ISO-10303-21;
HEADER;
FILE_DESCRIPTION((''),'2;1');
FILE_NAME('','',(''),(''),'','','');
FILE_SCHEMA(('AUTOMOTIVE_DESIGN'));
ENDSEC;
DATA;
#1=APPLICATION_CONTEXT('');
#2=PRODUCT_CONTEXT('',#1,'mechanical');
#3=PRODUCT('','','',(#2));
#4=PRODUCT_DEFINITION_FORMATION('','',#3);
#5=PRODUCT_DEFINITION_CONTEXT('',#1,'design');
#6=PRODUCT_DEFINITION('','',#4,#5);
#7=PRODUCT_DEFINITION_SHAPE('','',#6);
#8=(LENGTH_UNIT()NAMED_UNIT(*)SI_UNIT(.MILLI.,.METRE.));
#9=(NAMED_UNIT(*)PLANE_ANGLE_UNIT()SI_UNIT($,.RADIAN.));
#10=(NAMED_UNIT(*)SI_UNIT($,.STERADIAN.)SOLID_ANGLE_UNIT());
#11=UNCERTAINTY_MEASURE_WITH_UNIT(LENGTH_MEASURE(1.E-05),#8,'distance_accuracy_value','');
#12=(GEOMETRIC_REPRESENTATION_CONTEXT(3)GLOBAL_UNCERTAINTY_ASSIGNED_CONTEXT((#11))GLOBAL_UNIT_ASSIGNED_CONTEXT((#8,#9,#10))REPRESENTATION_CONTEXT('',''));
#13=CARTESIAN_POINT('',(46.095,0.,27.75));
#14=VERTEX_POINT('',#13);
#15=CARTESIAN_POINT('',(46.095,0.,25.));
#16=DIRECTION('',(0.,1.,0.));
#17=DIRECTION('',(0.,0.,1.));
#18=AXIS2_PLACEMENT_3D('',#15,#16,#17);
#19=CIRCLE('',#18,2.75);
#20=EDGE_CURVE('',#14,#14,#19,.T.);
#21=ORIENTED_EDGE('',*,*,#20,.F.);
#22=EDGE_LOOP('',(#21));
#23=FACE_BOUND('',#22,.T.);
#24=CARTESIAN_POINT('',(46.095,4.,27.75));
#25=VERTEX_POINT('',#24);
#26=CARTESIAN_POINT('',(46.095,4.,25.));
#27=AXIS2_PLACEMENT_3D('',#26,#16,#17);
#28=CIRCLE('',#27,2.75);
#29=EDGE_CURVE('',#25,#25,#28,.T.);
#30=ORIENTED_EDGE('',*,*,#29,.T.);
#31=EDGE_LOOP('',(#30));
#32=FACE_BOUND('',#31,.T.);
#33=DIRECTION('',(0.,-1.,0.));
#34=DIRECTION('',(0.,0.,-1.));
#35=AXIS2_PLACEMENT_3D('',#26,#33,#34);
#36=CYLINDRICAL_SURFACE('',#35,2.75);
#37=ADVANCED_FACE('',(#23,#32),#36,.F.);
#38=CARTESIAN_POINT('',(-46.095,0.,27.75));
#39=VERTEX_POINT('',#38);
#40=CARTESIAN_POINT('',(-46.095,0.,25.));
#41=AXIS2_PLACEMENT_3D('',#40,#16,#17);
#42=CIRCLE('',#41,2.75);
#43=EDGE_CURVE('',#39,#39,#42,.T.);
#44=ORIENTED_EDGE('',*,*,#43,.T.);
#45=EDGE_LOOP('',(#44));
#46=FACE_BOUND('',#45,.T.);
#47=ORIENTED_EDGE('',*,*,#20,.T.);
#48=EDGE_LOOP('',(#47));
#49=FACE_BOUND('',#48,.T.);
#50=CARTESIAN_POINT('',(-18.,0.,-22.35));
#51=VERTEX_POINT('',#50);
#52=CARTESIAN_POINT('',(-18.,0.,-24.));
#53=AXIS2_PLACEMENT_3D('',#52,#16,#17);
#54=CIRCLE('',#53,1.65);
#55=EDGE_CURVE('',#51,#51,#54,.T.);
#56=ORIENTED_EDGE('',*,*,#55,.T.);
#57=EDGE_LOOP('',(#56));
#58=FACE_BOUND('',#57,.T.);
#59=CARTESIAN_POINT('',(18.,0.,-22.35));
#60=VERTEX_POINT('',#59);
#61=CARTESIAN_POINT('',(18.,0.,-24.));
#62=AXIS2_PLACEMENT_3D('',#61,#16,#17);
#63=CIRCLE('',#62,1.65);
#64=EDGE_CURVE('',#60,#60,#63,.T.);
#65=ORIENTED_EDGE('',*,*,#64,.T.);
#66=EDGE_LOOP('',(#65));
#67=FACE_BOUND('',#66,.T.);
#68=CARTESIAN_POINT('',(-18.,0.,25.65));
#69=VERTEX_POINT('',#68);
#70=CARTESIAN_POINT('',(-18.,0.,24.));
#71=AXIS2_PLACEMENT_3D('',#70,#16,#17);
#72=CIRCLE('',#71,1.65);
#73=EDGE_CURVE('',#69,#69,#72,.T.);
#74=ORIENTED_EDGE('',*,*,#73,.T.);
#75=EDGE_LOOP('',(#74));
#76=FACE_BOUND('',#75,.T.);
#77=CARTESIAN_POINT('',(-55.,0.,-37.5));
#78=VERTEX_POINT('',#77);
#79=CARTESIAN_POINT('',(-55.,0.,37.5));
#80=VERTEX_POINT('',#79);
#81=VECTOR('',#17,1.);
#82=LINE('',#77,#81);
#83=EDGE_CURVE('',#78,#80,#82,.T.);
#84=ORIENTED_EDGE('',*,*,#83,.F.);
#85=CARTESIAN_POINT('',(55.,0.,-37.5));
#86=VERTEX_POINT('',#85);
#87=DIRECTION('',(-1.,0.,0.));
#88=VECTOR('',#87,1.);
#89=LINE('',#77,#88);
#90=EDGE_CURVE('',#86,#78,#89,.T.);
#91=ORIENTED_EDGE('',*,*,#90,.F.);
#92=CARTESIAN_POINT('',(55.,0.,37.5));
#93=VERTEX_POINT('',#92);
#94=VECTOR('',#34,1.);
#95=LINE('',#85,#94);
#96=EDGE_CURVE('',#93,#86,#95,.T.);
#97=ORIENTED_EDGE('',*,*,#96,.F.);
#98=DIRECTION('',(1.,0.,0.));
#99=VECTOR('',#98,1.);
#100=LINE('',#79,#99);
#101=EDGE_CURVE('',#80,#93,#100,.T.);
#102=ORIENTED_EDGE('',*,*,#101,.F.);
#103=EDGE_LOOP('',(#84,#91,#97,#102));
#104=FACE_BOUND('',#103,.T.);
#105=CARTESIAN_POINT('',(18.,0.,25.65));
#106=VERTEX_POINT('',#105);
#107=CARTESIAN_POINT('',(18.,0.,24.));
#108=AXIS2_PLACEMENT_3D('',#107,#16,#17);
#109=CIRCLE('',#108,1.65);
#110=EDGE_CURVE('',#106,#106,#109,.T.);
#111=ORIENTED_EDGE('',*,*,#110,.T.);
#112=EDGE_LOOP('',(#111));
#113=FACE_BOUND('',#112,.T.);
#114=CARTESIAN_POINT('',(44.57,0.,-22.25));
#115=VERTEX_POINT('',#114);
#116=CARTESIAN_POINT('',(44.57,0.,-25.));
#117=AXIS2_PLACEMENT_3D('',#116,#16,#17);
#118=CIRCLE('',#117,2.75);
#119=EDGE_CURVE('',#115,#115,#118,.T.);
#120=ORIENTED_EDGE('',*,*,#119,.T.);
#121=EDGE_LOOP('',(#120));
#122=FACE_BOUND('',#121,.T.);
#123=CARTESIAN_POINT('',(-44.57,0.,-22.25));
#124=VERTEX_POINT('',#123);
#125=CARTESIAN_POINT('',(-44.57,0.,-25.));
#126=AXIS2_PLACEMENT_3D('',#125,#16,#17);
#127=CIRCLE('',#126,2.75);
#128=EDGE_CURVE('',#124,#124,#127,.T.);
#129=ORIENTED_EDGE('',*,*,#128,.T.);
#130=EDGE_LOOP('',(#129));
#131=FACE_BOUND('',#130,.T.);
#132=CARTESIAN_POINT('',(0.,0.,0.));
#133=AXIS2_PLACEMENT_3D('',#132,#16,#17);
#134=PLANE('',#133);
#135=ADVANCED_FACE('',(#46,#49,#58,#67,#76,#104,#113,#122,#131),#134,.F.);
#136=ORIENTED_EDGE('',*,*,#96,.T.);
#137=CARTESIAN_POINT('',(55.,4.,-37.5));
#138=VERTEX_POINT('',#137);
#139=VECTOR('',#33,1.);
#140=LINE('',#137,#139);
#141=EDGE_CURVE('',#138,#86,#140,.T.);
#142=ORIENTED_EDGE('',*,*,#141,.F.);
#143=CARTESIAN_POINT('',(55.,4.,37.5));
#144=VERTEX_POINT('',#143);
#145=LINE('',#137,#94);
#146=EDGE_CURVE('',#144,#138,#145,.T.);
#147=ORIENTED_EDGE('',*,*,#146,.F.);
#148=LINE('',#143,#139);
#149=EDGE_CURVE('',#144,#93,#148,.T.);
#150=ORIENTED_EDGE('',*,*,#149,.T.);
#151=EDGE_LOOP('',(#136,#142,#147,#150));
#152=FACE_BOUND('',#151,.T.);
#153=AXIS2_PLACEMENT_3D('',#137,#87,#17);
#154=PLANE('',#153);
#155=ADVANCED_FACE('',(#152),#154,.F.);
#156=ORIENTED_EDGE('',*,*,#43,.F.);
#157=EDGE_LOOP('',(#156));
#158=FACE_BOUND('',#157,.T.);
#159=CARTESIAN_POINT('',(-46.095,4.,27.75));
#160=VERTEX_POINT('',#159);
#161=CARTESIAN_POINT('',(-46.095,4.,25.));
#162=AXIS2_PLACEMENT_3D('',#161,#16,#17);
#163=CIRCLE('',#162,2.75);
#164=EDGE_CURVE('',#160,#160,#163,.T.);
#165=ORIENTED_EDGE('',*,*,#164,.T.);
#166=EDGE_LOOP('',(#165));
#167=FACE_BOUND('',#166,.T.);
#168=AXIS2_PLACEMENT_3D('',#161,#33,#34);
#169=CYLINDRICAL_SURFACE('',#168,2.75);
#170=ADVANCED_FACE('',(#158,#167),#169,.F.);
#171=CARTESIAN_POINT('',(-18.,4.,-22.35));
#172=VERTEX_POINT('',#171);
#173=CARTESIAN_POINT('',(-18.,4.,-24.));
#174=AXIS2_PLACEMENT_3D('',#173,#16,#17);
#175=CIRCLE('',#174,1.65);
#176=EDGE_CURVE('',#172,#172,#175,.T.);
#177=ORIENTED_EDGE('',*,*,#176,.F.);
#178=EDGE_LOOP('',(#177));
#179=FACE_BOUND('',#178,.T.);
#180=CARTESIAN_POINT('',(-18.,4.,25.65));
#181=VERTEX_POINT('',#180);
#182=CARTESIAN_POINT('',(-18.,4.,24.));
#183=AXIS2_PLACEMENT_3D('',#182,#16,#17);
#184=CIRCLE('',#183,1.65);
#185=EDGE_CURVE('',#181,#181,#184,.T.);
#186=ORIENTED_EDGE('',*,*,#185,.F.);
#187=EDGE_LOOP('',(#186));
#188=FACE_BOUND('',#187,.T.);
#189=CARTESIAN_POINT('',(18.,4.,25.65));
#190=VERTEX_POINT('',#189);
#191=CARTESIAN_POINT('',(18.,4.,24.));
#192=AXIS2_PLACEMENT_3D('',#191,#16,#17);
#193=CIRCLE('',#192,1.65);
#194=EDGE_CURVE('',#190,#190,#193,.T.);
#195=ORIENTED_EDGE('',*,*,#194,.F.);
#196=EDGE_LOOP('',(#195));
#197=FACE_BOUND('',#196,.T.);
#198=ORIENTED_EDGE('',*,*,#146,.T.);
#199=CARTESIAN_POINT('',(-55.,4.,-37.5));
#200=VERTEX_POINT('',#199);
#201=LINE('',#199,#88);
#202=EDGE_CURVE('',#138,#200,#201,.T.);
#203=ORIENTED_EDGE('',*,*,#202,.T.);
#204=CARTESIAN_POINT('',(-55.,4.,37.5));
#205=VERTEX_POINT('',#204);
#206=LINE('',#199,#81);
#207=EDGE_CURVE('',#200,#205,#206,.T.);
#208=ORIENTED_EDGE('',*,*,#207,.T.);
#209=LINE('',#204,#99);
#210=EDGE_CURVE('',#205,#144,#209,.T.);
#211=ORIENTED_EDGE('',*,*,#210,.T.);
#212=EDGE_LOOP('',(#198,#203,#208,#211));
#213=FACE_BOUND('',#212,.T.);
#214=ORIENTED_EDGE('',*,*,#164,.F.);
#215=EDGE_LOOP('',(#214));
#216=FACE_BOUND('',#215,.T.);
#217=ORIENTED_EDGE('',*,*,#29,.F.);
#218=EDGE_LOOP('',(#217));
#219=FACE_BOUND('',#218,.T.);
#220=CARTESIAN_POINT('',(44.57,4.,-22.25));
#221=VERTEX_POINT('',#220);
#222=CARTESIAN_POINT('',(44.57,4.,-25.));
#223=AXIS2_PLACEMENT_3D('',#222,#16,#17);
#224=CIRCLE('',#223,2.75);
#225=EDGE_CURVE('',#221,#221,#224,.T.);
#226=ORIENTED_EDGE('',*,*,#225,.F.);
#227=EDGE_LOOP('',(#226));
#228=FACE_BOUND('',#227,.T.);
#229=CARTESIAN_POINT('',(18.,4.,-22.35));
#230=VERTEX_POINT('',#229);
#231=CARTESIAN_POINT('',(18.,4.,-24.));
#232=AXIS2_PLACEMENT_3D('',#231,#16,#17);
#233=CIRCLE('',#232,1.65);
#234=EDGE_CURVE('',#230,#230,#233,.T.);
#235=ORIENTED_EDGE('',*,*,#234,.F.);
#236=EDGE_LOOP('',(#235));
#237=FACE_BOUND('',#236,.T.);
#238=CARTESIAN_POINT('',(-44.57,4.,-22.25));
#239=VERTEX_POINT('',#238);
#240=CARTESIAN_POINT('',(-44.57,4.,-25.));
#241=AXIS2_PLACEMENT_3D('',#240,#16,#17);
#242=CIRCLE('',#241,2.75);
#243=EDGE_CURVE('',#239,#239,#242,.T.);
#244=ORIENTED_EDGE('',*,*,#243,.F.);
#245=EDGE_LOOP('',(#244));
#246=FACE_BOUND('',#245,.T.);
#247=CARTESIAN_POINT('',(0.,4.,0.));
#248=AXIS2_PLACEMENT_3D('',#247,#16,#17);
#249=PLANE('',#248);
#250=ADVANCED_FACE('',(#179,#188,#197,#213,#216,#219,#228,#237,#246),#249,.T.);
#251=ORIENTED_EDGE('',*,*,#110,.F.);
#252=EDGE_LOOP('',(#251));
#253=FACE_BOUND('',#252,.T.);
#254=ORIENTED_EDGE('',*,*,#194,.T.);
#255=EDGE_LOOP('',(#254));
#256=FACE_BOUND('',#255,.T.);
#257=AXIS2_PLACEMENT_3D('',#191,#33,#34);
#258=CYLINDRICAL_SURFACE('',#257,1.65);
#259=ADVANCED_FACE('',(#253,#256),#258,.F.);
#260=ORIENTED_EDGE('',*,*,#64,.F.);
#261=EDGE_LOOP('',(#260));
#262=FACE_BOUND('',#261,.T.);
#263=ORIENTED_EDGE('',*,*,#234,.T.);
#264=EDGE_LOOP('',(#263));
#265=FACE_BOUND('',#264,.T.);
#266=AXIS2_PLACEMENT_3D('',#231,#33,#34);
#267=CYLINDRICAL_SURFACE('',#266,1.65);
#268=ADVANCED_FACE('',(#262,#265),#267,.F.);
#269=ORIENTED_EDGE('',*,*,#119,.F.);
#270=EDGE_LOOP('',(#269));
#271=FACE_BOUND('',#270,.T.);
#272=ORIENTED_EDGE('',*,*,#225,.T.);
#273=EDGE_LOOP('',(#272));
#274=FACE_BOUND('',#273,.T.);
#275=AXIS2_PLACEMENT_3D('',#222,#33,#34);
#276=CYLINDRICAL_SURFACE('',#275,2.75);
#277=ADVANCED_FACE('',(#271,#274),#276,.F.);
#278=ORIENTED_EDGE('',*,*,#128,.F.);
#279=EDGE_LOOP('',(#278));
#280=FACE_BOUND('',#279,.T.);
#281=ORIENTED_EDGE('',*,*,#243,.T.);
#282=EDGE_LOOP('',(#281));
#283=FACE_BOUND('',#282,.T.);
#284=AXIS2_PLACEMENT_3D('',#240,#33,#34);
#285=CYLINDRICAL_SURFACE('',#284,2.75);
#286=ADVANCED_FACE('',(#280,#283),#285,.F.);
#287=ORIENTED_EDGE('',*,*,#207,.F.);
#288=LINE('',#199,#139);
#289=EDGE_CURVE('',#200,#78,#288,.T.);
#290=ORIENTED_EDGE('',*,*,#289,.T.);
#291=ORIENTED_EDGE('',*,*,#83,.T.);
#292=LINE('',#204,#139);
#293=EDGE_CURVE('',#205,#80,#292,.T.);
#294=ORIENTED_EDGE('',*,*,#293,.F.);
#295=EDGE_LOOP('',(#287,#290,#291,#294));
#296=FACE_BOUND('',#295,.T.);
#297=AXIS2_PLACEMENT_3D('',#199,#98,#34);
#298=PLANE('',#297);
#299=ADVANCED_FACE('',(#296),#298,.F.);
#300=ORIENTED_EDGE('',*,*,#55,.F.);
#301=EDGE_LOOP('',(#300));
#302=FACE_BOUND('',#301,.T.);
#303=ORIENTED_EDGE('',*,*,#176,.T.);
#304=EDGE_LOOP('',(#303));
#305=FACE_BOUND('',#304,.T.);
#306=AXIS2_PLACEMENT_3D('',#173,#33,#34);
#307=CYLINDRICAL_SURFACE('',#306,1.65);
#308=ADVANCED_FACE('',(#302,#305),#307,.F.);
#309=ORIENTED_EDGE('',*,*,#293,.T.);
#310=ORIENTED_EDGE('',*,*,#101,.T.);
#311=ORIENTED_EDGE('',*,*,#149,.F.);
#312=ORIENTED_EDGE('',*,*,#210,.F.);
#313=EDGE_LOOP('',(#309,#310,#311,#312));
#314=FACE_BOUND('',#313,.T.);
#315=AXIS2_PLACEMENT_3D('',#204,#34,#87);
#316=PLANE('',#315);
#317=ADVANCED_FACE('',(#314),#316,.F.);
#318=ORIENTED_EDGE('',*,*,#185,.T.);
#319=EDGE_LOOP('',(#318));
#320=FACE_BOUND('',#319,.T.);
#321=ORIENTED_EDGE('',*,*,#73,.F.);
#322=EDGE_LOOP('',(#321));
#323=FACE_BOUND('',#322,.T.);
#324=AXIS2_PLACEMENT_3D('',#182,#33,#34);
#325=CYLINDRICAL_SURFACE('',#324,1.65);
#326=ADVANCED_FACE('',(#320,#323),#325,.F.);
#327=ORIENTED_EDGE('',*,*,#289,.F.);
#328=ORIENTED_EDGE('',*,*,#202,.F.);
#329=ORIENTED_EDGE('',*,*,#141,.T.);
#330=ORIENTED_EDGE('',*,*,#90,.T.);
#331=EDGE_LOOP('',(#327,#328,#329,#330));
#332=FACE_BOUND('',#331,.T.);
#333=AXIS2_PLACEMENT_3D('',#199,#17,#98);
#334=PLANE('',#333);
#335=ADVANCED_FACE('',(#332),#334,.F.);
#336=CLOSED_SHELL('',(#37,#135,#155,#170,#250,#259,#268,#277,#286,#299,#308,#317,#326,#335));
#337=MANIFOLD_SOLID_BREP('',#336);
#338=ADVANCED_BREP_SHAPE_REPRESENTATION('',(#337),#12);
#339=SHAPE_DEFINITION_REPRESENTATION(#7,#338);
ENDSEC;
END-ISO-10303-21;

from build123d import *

# Parameters (mm, degrees)
SKETCH_1_W      = 110
SKETCH_1_H      = 75
SKETCH_1_R      = 1.65
SKETCH_1_R_2    = 2.75
EXTRUDE_1_DEPTH = 4


with BuildPart() as part:
    # 草圖1 → 填料-伸長1 (new body)
    with BuildSketch(Plane(origin=(0, 0, 0), x_dir=(1, 0, 0), z_dir=(0, 1, 0))):
        Rectangle(SKETCH_1_W, SKETCH_1_H)
        with Locations(Location((-18, 24, 0), (0, 0, 270))):
            Circle(SKETCH_1_R, mode=Mode.SUBTRACT)
        with Locations(Location((18, 24, 0), (0, 0, 270))):
            Circle(SKETCH_1_R, mode=Mode.SUBTRACT)
        with Locations(Location((-18, -24, 0), (0, 0, 270))):
            Circle(SKETCH_1_R, mode=Mode.SUBTRACT)
        with Locations(Location((18, -24, 0), (0, 0, 270))):
            Circle(SKETCH_1_R, mode=Mode.SUBTRACT)
        with Locations(Location((-44.57, 25, 0), (0, 0, 270))):
            Circle(SKETCH_1_R_2, mode=Mode.SUBTRACT)
        with Locations(Location((-46.095, -25, 0), (0, 0, 270))):
            Circle(SKETCH_1_R_2, mode=Mode.SUBTRACT)
        with Locations(Location((44.57, 25, 0), (0, 0, 270))):
            Circle(SKETCH_1_R_2, mode=Mode.SUBTRACT)
        with Locations(Location((46.095, -25, 0), (0, 0, 270))):
            Circle(SKETCH_1_R_2, mode=Mode.SUBTRACT)
    extrude(amount=EXTRUDE_1_DEPTH)


solid = part.part
